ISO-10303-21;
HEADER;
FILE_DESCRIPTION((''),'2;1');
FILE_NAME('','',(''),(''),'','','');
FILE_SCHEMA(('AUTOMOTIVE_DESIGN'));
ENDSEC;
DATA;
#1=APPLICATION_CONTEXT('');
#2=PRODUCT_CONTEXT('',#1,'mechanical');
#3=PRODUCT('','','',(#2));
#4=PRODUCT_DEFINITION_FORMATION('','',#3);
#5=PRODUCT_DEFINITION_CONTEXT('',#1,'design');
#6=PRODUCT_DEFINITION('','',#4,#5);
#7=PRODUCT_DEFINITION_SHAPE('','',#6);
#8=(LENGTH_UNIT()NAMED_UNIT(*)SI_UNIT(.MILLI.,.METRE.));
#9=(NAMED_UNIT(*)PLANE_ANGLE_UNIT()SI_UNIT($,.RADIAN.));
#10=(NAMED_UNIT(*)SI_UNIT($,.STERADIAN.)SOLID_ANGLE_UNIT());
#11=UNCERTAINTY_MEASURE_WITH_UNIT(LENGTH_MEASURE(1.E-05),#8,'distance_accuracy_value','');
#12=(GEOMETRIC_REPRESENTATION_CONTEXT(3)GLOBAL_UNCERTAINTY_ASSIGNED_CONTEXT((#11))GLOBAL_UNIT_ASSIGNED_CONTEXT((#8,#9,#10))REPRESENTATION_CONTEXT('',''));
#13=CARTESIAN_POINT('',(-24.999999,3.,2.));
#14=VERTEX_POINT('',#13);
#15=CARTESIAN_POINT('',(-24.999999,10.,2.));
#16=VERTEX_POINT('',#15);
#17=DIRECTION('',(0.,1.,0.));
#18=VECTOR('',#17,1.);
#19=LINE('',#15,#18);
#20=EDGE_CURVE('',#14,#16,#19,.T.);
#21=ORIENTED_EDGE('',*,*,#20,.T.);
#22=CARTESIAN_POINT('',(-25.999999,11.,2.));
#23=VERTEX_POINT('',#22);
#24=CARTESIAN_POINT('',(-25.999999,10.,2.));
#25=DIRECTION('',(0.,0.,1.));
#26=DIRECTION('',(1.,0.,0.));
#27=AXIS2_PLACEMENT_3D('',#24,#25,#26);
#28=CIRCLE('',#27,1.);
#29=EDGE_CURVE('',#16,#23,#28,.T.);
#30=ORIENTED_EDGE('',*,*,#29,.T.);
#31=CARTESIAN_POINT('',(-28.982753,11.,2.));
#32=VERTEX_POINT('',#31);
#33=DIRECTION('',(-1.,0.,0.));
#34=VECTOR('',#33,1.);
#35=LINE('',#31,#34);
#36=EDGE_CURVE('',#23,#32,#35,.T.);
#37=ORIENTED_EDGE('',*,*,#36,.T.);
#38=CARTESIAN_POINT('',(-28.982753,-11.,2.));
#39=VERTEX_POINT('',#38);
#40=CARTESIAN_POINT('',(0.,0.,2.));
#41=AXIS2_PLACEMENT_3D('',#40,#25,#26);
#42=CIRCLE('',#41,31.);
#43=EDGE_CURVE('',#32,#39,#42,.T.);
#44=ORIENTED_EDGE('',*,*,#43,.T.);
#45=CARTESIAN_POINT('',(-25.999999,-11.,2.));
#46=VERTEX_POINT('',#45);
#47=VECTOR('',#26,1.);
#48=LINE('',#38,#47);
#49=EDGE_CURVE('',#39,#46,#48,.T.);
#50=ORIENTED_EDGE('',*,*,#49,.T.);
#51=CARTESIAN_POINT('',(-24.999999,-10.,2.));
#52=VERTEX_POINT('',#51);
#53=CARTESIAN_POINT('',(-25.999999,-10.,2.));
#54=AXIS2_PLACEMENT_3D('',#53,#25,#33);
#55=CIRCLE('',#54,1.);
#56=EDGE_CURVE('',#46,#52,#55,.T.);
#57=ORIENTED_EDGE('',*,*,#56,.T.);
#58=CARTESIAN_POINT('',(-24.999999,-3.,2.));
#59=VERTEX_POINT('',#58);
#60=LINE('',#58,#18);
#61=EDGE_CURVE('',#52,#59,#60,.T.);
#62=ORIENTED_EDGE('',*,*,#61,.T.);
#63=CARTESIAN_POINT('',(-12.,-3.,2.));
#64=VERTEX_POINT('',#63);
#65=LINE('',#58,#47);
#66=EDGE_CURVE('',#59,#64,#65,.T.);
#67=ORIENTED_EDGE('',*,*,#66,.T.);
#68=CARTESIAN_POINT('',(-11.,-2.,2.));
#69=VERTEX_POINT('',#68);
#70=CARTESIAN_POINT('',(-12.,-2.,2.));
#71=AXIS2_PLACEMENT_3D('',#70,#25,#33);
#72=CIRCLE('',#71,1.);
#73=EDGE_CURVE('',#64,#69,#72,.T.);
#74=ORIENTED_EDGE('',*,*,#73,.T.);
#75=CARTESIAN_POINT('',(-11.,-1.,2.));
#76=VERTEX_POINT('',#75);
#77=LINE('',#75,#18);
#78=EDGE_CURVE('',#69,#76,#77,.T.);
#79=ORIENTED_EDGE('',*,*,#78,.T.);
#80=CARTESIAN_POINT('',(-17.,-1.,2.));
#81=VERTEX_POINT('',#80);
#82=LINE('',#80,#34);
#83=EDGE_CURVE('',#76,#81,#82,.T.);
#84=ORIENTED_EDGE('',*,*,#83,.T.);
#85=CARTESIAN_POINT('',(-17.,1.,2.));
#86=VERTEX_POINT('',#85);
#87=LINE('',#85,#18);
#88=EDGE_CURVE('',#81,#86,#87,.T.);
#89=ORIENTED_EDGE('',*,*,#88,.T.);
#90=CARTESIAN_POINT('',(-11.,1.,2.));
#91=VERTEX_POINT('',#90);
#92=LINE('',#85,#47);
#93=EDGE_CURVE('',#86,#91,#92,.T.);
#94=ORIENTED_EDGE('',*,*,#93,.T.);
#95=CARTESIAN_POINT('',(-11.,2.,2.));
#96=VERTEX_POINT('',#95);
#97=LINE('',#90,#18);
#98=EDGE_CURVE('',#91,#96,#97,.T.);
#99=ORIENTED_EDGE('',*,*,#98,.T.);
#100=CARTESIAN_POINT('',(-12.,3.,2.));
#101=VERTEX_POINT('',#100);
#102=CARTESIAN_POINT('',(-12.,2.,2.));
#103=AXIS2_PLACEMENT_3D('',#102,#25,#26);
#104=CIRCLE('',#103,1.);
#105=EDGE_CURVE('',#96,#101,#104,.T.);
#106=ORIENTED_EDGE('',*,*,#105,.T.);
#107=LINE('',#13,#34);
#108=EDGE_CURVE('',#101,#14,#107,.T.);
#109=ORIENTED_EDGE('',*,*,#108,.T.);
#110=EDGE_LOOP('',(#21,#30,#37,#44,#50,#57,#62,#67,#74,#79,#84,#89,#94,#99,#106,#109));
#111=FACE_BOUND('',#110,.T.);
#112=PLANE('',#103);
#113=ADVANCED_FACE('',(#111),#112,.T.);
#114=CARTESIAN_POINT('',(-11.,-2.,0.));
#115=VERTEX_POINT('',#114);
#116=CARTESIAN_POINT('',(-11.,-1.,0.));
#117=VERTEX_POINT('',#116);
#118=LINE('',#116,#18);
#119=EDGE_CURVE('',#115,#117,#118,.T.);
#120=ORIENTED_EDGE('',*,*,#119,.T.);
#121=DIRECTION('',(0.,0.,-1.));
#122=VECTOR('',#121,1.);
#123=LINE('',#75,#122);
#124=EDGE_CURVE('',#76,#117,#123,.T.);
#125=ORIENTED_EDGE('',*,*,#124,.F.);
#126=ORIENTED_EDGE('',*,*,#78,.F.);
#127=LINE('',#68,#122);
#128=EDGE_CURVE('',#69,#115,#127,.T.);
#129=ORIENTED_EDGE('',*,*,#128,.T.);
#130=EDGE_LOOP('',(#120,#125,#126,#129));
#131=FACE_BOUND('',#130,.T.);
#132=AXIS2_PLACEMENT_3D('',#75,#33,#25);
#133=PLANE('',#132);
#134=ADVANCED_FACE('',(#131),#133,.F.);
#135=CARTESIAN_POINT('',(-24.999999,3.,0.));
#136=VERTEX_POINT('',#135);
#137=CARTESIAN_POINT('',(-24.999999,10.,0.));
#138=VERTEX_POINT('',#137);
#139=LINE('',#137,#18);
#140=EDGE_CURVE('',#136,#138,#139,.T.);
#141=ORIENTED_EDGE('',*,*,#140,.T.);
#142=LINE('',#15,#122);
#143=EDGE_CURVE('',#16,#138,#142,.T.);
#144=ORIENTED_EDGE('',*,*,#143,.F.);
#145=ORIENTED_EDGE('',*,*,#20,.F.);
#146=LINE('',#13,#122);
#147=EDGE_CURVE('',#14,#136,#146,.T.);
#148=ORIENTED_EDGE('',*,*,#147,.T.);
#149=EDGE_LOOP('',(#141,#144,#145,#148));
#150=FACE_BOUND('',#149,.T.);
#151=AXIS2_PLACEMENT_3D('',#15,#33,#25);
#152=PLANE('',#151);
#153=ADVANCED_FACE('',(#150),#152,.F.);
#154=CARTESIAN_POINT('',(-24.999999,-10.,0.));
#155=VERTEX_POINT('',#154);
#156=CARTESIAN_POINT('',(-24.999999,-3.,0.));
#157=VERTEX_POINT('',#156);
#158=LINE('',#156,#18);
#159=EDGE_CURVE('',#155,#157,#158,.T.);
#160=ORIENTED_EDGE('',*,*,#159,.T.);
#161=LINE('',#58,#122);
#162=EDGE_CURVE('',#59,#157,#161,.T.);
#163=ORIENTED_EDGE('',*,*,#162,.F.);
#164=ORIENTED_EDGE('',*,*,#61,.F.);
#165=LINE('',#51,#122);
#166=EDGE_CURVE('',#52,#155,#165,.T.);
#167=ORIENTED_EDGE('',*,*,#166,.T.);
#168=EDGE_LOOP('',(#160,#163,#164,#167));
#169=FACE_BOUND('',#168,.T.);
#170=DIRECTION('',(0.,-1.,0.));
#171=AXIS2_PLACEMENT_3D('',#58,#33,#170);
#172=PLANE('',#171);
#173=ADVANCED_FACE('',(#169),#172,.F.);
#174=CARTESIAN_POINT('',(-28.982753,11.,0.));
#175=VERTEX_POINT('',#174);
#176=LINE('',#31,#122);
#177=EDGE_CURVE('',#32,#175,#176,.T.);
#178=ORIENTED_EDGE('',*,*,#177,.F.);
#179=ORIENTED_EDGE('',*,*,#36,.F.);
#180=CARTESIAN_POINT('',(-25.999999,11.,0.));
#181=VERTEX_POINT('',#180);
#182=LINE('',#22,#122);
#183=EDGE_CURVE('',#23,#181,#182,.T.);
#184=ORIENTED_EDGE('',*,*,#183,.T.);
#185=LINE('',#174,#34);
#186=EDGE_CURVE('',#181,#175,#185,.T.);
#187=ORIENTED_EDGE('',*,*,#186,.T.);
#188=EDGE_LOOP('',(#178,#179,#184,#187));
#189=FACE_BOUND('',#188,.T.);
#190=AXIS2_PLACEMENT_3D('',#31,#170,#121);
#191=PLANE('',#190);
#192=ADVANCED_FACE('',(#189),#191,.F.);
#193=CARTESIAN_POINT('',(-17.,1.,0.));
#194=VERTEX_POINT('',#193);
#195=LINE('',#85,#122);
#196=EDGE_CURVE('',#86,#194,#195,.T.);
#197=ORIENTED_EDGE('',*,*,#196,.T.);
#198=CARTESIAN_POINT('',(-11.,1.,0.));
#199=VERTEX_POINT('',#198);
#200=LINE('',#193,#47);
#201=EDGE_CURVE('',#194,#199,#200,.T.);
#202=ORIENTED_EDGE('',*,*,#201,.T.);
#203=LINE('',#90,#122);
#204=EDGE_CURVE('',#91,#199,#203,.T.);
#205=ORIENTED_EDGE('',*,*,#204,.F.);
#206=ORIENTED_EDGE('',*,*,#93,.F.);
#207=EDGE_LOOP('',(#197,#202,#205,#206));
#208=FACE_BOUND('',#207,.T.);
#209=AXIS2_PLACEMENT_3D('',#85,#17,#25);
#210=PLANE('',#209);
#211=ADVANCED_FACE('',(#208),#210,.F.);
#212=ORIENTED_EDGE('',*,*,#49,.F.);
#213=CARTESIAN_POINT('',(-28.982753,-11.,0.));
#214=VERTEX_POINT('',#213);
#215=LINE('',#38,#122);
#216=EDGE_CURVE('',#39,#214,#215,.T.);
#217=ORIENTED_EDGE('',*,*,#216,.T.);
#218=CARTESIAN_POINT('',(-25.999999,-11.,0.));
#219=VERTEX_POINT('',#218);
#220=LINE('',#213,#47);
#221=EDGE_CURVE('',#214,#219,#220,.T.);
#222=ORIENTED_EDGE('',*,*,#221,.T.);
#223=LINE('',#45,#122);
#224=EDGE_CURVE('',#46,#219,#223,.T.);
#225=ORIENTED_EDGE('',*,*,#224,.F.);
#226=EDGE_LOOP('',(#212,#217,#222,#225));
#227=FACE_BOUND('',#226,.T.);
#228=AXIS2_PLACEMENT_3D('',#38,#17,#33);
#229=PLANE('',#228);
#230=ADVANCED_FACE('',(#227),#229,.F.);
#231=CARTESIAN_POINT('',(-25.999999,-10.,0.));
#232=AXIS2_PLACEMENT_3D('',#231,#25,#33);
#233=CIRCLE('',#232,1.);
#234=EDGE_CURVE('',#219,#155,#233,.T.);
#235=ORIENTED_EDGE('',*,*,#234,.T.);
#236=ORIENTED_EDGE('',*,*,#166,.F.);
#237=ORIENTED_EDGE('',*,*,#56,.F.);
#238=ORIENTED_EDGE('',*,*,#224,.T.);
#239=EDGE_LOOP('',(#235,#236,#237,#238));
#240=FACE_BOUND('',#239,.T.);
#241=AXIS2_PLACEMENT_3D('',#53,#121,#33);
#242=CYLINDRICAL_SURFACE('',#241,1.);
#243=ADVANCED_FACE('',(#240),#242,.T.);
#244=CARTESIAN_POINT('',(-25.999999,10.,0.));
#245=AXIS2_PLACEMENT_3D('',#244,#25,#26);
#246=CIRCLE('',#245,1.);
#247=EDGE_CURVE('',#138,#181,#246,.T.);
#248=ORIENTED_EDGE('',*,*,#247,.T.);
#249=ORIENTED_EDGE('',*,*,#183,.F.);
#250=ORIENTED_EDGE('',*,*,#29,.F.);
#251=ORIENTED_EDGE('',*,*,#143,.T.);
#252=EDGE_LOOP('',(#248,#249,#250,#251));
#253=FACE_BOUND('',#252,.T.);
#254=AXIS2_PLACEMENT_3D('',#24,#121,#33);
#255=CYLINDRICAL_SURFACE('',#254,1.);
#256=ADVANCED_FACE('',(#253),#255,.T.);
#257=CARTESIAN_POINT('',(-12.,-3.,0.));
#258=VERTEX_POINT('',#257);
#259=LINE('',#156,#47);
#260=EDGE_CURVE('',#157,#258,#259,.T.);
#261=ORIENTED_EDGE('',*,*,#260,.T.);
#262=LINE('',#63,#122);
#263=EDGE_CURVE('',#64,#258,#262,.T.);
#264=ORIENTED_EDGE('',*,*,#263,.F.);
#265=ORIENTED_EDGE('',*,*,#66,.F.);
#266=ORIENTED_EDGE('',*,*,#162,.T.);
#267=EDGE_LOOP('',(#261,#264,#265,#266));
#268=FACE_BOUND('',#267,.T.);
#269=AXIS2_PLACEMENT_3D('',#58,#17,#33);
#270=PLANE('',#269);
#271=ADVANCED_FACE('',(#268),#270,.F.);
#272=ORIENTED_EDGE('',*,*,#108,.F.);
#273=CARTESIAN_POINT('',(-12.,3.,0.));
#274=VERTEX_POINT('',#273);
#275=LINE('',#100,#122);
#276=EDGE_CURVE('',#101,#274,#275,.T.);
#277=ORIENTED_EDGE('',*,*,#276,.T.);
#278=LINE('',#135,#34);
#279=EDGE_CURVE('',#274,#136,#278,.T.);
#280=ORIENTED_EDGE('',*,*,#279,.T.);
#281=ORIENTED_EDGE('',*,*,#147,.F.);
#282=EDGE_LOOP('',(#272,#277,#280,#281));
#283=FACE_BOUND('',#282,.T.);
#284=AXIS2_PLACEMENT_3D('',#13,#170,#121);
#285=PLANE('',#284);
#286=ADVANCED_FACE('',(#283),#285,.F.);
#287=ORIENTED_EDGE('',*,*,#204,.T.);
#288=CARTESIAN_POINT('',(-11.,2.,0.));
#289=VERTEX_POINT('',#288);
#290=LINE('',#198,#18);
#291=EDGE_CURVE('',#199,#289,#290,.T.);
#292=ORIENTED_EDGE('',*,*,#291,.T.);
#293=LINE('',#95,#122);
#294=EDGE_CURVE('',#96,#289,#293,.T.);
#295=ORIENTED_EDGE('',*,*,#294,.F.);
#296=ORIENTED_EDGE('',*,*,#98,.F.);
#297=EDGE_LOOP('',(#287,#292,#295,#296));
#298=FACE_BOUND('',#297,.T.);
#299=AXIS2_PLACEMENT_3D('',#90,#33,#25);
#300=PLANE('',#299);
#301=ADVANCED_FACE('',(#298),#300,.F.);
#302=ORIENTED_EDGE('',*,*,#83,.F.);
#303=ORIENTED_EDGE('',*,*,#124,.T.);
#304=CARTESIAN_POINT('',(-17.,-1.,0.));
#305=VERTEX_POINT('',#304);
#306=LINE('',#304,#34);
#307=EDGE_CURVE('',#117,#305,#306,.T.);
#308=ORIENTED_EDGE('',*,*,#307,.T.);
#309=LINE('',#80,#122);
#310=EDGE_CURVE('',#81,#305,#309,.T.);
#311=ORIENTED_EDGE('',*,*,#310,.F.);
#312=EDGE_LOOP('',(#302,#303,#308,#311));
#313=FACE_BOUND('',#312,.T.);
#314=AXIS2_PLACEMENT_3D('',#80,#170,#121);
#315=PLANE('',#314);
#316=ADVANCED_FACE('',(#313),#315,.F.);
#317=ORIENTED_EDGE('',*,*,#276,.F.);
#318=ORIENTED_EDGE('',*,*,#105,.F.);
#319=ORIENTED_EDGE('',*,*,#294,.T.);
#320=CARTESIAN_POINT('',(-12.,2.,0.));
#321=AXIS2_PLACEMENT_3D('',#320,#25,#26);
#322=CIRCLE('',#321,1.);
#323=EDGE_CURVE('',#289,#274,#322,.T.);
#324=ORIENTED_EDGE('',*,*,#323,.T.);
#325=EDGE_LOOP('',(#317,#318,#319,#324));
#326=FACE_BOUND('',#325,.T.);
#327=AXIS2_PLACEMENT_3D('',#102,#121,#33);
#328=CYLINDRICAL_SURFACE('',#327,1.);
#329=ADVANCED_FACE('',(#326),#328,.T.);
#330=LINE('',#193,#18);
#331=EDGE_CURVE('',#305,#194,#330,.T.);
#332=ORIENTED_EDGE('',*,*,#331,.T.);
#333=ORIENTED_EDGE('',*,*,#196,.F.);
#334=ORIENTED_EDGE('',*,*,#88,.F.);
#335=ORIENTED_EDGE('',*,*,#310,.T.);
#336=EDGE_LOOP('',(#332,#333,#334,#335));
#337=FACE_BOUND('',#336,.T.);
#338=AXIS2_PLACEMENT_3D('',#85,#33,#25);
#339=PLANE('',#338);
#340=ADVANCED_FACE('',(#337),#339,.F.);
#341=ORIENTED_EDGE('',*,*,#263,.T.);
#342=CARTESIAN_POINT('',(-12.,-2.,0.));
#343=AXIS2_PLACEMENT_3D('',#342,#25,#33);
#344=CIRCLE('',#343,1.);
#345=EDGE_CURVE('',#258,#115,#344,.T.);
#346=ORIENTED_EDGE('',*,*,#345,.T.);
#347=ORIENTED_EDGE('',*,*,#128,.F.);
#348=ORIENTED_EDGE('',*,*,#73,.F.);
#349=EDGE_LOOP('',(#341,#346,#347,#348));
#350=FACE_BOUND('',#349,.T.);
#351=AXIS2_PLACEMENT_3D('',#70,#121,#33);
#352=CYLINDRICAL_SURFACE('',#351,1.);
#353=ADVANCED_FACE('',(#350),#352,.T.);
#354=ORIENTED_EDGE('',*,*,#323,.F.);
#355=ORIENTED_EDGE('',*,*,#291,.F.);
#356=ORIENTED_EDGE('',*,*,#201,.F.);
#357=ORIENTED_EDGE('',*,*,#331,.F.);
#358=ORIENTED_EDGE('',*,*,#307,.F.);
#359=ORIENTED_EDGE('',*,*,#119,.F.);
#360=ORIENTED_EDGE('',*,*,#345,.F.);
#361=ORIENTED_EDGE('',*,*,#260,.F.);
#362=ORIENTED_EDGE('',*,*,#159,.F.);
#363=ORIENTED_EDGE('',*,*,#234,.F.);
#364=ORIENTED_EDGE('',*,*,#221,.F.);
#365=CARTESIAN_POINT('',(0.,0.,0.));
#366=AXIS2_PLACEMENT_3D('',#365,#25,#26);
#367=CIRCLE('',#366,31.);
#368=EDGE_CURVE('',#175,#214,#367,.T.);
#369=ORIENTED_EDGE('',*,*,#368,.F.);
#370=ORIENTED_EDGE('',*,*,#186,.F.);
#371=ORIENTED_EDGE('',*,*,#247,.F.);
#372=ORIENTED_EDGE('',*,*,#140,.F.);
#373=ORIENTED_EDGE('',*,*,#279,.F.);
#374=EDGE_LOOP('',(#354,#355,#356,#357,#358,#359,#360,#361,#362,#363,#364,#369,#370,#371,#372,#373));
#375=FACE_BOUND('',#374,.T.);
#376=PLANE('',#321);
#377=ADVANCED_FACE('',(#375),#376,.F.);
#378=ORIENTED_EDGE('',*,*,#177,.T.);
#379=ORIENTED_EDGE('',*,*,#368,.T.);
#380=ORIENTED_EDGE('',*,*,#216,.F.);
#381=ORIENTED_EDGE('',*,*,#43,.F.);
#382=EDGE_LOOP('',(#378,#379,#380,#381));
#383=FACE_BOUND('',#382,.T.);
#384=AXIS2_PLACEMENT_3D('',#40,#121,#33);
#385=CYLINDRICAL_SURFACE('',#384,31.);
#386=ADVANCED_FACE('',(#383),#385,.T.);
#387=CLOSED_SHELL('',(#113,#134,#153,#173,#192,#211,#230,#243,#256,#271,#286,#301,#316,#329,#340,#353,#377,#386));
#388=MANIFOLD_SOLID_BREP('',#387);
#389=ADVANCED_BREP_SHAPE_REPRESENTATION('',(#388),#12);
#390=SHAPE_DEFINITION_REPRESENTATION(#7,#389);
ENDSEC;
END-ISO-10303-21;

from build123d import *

# Parameters (mm, degrees)
BOSS_EXTRUDE1_DEPTH = 2


with BuildPart() as part:
    # Sketch1 → Boss-Extrude1 (new body)
    with BuildSketch(Plane.XY):
        with BuildLine():
            Line((-24.999999472, 3), (-12, 3))
            ThreePointArc((-12, 3), (-11.292893219, 2.707106781), (-11, 2))
            Line((-11, 2), (-11, 1))
            Line((-11, 1), (-17, 1))
            Line((-17, 1), (-17, -1))
            Line((-17, -1), (-11, -1))
            Line((-11, -1), (-11, -2))
            ThreePointArc((-11, -2), (-11.292893219, -2.707106781), (-12, -3))
            Line((-12, -3), (-24.999999472, -3))
            Line((-24.999999472, -3), (-24.999999472, -10))
            ThreePointArc((-24.999999472, -10), (-25.292892691, -10.707106781), (-25.999999472, -11))
            Line((-25.999999472, -11), (-28.982753492, -11))
            ThreePointArc((-28.982753492, -11), (-31, 0), (-28.982753492, 11))
            Line((-28.982753492, 11), (-25.999999472, 11))
            ThreePointArc((-25.999999472, 11), (-25.292892691, 10.707106781), (-24.999999472, 10))
            Line((-24.999999472, 10), (-24.999999472, 3))
        make_face()
    extrude(amount=BOSS_EXTRUDE1_DEPTH)


solid = part.part
